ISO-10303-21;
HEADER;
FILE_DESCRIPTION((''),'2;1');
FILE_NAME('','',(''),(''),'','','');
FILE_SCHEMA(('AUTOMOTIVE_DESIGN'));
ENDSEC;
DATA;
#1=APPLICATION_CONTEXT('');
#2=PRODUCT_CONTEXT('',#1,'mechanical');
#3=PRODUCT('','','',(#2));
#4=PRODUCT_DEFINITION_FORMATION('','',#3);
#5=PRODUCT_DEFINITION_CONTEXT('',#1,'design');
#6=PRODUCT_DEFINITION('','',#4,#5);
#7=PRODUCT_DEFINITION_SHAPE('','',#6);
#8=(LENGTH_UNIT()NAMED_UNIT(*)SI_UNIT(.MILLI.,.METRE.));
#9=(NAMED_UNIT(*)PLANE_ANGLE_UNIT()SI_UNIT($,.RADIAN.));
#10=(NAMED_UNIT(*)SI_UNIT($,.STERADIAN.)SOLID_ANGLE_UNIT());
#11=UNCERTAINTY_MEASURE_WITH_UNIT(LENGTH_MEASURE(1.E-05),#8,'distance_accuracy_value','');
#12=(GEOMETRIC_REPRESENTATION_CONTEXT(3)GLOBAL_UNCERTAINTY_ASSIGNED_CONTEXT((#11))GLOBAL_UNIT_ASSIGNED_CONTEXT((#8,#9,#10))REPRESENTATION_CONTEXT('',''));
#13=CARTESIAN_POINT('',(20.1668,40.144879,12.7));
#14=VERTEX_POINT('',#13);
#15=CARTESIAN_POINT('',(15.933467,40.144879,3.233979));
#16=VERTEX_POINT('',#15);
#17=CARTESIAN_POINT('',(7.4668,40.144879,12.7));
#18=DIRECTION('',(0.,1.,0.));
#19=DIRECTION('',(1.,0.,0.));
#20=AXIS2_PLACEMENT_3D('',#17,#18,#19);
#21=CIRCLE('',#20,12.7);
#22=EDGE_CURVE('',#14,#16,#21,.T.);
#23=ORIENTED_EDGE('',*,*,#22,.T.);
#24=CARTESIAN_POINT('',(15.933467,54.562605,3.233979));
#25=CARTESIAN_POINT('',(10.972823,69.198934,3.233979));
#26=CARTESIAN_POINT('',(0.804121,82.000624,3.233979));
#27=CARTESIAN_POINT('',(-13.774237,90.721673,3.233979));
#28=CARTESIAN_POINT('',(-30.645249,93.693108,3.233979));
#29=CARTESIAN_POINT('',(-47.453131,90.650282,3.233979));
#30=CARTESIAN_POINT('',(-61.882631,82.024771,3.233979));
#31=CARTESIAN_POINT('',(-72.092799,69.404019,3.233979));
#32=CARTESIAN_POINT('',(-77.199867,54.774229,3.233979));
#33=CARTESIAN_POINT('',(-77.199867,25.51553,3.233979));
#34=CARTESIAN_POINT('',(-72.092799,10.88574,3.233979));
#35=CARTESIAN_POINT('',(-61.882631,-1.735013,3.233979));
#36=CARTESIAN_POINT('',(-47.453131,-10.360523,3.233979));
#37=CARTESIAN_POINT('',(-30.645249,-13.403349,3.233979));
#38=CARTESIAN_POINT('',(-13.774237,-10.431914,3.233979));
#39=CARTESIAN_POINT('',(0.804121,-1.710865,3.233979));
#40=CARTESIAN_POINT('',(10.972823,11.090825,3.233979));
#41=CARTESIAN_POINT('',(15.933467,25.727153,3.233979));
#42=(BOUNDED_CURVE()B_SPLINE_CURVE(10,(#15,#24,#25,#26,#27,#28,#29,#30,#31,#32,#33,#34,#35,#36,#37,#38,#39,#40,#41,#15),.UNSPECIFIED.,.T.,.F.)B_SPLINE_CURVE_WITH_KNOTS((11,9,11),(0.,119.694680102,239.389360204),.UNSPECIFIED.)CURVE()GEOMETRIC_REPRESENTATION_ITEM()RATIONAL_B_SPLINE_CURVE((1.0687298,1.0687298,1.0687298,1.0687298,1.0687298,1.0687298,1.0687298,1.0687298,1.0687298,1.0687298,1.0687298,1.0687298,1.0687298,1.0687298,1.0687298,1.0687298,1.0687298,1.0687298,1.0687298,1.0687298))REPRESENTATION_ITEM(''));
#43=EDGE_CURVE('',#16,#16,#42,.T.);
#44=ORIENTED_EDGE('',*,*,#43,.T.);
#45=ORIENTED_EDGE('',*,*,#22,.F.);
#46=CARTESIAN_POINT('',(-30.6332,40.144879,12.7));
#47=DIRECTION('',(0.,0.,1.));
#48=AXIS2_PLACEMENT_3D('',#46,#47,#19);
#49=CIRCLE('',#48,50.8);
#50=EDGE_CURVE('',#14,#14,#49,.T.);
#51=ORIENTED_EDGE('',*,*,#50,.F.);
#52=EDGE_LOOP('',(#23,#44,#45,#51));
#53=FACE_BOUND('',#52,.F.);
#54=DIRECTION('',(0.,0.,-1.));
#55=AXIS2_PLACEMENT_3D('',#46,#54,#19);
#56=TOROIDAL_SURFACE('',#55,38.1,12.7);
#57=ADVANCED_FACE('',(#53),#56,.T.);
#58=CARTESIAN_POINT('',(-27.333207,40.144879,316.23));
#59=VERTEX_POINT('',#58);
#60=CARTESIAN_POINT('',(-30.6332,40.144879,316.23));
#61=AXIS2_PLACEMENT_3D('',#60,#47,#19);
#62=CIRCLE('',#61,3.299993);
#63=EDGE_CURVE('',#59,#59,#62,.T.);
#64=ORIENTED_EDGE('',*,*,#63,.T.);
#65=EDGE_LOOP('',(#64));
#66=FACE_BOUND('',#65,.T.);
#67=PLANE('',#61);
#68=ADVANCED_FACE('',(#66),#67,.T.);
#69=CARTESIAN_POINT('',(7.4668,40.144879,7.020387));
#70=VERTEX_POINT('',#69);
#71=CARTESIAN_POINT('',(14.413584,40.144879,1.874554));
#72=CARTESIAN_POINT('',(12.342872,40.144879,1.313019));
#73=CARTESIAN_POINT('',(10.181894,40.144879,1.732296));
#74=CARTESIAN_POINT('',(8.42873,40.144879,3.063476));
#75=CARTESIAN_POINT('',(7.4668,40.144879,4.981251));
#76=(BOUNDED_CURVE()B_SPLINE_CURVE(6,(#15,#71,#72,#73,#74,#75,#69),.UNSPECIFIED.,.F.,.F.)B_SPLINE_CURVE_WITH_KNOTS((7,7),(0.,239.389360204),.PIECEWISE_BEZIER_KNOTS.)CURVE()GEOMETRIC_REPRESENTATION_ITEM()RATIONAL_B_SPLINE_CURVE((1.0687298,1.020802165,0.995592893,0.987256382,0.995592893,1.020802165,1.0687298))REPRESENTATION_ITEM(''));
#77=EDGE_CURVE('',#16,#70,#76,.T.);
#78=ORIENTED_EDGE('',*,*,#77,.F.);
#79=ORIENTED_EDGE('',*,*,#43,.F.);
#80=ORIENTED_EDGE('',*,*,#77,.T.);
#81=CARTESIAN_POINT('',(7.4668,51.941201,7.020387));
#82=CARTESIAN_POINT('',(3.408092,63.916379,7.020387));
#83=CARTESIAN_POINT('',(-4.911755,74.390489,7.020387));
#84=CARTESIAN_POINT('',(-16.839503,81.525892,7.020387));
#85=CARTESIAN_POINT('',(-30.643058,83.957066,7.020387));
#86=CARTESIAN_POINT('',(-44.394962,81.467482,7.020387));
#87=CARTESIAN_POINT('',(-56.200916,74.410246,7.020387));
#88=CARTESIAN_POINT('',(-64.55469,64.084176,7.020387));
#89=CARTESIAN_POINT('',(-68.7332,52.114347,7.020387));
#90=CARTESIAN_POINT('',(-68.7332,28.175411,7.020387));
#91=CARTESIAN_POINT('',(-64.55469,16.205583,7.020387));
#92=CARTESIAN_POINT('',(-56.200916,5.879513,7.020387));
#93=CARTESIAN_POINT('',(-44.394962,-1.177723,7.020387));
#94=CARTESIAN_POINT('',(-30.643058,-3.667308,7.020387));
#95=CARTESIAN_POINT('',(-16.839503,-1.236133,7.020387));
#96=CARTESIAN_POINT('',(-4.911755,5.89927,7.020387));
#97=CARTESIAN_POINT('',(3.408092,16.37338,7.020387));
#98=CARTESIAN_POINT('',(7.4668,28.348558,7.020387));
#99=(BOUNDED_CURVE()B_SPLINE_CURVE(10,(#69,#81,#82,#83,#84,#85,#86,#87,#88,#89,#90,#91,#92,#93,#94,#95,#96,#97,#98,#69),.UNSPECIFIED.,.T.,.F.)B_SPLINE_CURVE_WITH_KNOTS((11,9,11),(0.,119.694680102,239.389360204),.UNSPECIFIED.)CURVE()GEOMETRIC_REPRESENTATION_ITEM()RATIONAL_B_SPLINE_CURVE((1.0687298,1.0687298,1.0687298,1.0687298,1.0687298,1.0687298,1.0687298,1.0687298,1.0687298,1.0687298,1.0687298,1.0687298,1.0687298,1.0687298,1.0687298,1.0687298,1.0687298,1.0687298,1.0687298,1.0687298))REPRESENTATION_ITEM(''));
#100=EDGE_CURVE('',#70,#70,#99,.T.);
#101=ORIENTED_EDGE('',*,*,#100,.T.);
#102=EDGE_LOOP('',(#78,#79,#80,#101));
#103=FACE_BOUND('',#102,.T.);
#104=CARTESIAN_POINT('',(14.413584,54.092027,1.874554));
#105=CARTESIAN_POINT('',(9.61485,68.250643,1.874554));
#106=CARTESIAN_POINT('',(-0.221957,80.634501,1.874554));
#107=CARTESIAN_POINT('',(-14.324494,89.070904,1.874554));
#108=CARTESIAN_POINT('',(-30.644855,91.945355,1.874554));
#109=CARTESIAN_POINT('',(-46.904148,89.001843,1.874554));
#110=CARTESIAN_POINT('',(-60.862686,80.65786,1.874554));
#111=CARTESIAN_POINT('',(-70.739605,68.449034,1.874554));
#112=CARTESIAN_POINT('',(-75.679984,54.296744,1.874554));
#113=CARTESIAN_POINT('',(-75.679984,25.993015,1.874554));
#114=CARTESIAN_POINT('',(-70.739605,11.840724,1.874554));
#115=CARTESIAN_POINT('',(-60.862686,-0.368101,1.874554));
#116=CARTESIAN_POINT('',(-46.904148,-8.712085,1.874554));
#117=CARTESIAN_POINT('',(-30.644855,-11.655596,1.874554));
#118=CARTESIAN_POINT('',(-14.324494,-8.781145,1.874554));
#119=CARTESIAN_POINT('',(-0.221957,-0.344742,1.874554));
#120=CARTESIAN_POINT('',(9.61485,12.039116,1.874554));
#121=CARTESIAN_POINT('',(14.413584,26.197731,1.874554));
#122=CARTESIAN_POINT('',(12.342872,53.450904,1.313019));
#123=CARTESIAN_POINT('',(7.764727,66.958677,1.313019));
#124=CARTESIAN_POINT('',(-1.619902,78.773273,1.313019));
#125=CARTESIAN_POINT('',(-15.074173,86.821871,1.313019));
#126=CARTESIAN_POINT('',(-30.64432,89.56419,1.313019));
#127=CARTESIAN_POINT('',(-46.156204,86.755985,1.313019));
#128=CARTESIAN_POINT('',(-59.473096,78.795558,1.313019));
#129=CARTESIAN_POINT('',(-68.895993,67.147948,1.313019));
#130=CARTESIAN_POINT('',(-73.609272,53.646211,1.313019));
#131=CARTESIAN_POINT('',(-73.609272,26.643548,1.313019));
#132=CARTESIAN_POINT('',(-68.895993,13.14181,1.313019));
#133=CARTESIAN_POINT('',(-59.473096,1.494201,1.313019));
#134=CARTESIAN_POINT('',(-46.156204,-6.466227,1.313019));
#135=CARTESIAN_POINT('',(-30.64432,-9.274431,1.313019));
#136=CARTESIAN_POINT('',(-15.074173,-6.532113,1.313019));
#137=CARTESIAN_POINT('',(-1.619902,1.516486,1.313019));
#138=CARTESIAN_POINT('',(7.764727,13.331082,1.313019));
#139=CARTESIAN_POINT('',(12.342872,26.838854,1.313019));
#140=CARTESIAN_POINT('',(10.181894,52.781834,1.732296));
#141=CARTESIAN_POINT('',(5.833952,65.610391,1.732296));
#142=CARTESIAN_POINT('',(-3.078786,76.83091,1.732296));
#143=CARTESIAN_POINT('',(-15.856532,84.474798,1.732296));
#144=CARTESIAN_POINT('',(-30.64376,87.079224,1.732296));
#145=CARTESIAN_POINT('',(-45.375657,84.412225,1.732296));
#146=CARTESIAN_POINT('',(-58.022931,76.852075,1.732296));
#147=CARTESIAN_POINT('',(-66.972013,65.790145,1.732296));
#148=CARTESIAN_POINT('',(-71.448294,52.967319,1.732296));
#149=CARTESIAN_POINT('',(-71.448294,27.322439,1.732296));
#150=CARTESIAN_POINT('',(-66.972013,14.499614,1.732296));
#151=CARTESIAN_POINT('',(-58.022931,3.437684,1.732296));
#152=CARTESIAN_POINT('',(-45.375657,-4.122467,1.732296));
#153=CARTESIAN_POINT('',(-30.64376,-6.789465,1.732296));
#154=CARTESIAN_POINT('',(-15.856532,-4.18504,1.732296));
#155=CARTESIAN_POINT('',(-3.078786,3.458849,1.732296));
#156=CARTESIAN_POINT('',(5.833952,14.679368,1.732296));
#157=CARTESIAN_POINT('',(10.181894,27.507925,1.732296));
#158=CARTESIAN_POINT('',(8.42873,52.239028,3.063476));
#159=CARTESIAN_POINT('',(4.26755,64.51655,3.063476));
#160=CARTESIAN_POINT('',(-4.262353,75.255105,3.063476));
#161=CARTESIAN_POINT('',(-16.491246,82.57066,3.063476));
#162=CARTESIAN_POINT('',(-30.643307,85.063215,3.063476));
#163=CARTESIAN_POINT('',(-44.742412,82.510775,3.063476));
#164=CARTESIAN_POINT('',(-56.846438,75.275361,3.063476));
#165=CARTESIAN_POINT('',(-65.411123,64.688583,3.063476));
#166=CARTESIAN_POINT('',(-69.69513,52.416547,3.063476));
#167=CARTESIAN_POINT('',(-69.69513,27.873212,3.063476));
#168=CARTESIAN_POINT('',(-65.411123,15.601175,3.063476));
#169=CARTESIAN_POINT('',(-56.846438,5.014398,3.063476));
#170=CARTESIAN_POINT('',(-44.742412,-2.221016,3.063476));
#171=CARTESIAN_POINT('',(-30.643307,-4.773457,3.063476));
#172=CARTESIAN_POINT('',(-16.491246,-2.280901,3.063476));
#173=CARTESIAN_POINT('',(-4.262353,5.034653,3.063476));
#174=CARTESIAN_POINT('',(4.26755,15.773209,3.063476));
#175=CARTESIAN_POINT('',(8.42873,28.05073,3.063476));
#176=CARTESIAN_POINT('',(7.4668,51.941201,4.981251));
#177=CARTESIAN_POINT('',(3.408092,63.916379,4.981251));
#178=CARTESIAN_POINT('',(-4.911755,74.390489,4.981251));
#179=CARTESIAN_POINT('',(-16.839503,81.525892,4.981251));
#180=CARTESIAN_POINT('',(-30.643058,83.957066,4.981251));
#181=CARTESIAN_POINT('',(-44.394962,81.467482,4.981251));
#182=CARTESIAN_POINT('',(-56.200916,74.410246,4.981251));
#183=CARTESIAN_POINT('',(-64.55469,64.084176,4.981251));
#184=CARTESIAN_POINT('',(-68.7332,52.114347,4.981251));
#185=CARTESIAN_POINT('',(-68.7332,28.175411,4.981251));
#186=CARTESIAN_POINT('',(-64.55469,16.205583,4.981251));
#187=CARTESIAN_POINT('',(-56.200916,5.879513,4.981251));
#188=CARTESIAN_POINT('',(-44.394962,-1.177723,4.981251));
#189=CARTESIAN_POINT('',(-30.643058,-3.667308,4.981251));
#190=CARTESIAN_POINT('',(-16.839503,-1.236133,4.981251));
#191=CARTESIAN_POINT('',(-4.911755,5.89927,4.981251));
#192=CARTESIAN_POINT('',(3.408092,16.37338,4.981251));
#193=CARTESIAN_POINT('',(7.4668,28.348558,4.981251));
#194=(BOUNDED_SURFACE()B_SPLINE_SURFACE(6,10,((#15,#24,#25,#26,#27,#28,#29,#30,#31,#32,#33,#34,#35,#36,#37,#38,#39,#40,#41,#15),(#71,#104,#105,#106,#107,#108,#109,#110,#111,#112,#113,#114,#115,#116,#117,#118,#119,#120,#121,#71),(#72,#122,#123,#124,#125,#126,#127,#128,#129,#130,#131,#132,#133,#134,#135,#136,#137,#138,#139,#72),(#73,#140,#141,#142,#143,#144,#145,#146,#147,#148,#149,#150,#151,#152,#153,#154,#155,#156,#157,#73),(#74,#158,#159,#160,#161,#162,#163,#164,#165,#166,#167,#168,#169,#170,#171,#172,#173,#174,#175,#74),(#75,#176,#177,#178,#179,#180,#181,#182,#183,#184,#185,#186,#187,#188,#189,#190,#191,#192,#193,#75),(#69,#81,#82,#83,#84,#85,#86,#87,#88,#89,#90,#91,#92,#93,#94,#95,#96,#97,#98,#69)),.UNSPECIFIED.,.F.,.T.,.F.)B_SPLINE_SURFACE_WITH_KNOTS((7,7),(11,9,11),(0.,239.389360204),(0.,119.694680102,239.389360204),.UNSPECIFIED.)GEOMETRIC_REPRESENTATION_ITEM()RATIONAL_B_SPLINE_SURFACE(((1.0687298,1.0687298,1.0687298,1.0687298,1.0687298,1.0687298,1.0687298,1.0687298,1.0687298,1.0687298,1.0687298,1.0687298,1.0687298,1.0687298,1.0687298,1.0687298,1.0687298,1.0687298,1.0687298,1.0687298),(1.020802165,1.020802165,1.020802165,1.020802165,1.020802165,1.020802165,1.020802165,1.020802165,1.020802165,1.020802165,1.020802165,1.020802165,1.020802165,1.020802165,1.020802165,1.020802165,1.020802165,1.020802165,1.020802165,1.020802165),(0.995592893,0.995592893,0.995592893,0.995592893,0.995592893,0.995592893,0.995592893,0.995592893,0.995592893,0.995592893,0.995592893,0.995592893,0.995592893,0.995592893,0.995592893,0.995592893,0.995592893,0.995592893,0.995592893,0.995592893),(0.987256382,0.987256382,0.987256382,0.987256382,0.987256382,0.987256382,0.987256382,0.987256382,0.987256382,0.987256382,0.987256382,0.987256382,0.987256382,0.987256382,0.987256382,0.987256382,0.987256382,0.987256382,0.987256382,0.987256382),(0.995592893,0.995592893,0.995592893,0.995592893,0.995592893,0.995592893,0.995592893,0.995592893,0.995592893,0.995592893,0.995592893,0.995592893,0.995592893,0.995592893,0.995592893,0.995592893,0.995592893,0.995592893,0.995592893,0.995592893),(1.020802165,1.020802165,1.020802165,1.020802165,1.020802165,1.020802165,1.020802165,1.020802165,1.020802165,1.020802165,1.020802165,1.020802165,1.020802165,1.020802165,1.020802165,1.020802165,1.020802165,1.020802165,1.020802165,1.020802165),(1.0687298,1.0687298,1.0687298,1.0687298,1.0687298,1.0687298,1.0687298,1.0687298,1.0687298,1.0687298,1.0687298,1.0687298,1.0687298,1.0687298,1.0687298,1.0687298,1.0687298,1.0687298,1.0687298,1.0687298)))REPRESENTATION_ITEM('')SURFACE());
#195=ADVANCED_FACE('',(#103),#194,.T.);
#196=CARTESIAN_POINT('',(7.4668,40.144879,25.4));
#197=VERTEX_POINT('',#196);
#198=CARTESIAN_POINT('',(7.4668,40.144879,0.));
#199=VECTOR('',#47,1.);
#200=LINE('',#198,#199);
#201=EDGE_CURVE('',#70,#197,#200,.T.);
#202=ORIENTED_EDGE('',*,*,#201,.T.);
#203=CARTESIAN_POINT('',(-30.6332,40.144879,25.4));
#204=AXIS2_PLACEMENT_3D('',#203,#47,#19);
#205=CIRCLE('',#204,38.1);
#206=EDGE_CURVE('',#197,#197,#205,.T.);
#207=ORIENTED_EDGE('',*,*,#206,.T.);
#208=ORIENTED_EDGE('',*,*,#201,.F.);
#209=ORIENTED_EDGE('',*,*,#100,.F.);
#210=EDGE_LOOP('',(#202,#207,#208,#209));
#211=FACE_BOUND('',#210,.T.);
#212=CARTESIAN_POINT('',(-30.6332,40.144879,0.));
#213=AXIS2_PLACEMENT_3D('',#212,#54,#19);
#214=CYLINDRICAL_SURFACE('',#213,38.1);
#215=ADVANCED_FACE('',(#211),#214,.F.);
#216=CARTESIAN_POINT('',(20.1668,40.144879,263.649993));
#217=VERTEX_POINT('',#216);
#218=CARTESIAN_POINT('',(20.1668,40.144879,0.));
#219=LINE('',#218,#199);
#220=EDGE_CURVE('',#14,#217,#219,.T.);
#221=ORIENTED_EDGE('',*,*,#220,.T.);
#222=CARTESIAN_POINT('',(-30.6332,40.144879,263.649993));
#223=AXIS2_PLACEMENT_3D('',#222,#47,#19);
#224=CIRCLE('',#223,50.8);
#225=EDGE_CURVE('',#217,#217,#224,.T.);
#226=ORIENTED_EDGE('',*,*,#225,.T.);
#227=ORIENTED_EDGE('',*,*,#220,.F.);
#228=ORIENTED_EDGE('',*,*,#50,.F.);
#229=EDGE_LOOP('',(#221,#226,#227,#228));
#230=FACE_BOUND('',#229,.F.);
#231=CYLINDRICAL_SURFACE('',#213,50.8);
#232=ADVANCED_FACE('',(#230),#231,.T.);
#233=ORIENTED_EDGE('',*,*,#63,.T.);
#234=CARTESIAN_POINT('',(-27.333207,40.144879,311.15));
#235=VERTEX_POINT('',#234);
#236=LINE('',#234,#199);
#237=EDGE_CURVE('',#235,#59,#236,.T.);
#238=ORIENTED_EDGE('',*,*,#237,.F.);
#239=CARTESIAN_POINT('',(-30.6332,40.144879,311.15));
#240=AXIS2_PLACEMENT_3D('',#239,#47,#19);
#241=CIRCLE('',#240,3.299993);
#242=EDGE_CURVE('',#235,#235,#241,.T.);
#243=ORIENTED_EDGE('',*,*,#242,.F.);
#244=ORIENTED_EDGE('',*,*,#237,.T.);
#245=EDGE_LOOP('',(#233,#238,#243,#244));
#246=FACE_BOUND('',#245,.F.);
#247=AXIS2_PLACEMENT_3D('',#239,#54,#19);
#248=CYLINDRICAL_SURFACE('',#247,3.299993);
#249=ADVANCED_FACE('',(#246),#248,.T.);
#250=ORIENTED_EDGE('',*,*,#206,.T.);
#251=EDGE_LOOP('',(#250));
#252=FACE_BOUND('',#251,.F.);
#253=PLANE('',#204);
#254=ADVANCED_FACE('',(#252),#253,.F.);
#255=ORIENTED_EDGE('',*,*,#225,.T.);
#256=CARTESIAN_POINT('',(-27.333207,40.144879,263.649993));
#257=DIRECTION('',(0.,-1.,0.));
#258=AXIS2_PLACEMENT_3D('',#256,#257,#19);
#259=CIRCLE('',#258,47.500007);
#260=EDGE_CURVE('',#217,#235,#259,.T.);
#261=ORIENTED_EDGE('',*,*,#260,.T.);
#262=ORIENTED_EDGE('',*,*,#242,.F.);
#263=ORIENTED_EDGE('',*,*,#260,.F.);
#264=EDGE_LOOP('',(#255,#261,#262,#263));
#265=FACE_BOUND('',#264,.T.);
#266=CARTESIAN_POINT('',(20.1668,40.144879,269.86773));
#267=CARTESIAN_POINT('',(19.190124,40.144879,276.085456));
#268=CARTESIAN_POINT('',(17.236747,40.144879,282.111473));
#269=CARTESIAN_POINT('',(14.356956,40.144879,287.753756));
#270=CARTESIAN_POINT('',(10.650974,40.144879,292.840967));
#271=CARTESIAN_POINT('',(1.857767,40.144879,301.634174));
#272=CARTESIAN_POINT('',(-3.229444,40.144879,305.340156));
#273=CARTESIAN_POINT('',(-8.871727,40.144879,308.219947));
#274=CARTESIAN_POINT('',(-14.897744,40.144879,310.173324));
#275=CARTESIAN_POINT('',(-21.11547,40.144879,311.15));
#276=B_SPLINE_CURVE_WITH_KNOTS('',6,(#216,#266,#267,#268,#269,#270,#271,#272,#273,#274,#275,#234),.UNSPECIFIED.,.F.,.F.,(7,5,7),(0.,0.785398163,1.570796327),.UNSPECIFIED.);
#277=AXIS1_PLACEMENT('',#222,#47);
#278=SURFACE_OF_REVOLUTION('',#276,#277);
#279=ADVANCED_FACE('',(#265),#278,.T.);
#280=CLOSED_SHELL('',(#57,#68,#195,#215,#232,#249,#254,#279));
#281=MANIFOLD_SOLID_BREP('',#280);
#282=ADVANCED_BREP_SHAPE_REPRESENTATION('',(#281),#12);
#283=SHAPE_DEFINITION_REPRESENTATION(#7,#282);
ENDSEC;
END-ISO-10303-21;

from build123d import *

# Parameters (mm, degrees)
F0_R     = 50.8
F1_DEPTH = 311.15
F2_R     = 47.5000066
F3_DEPTH = 5.08
F4_R     = 12.7
F5_DEPTH = 25.4
F6_R     = 5.08


with BuildPart() as f1:
    # F0 (on Top) → F1 (new body)
    with BuildSketch(Plane.XY):
        with Locations((-30.63319996, 40.1448793709)):
            Circle(F0_R)
    extrude(amount=F1_DEPTH)

    # F2
    f2_edges = [f1.edges().sort_by_distance(p)[0] for p in [
        (-81.4332, 40.144879, 311.15),
    ]]
    fillet(f2_edges, radius=F2_R)

    # F3 (add): a face of the model
    f3_faces = [f1.faces().sort_by_distance(p)[0] for p in [
        (-30.63319996, 40.1448793709, 311.15),
    ]]
    extrude(f3_faces, amount=F3_DEPTH)

    # F4
    f4_edges = [f1.edges().sort_by_distance(p)[0] for p in [
        (-81.4332, 40.144879, 0),
    ]]
    fillet(f4_edges, radius=F4_R)

    # F5 (cut): a face of the model
    f5_faces = [f1.faces().sort_by_distance(p)[0] for p in [
        (-30.63319996, 40.1448793709, 0),
    ]]
    extrude(f5_faces, amount=-F5_DEPTH, mode=Mode.SUBTRACT)

    # F6
    f6_edges = [f1.edges().sort_by_distance(p)[0] for p in [
        (-68.7332, 40.144879, 0),
    ]]
    fillet(f6_edges, radius=F6_R)


solid = f1.part
